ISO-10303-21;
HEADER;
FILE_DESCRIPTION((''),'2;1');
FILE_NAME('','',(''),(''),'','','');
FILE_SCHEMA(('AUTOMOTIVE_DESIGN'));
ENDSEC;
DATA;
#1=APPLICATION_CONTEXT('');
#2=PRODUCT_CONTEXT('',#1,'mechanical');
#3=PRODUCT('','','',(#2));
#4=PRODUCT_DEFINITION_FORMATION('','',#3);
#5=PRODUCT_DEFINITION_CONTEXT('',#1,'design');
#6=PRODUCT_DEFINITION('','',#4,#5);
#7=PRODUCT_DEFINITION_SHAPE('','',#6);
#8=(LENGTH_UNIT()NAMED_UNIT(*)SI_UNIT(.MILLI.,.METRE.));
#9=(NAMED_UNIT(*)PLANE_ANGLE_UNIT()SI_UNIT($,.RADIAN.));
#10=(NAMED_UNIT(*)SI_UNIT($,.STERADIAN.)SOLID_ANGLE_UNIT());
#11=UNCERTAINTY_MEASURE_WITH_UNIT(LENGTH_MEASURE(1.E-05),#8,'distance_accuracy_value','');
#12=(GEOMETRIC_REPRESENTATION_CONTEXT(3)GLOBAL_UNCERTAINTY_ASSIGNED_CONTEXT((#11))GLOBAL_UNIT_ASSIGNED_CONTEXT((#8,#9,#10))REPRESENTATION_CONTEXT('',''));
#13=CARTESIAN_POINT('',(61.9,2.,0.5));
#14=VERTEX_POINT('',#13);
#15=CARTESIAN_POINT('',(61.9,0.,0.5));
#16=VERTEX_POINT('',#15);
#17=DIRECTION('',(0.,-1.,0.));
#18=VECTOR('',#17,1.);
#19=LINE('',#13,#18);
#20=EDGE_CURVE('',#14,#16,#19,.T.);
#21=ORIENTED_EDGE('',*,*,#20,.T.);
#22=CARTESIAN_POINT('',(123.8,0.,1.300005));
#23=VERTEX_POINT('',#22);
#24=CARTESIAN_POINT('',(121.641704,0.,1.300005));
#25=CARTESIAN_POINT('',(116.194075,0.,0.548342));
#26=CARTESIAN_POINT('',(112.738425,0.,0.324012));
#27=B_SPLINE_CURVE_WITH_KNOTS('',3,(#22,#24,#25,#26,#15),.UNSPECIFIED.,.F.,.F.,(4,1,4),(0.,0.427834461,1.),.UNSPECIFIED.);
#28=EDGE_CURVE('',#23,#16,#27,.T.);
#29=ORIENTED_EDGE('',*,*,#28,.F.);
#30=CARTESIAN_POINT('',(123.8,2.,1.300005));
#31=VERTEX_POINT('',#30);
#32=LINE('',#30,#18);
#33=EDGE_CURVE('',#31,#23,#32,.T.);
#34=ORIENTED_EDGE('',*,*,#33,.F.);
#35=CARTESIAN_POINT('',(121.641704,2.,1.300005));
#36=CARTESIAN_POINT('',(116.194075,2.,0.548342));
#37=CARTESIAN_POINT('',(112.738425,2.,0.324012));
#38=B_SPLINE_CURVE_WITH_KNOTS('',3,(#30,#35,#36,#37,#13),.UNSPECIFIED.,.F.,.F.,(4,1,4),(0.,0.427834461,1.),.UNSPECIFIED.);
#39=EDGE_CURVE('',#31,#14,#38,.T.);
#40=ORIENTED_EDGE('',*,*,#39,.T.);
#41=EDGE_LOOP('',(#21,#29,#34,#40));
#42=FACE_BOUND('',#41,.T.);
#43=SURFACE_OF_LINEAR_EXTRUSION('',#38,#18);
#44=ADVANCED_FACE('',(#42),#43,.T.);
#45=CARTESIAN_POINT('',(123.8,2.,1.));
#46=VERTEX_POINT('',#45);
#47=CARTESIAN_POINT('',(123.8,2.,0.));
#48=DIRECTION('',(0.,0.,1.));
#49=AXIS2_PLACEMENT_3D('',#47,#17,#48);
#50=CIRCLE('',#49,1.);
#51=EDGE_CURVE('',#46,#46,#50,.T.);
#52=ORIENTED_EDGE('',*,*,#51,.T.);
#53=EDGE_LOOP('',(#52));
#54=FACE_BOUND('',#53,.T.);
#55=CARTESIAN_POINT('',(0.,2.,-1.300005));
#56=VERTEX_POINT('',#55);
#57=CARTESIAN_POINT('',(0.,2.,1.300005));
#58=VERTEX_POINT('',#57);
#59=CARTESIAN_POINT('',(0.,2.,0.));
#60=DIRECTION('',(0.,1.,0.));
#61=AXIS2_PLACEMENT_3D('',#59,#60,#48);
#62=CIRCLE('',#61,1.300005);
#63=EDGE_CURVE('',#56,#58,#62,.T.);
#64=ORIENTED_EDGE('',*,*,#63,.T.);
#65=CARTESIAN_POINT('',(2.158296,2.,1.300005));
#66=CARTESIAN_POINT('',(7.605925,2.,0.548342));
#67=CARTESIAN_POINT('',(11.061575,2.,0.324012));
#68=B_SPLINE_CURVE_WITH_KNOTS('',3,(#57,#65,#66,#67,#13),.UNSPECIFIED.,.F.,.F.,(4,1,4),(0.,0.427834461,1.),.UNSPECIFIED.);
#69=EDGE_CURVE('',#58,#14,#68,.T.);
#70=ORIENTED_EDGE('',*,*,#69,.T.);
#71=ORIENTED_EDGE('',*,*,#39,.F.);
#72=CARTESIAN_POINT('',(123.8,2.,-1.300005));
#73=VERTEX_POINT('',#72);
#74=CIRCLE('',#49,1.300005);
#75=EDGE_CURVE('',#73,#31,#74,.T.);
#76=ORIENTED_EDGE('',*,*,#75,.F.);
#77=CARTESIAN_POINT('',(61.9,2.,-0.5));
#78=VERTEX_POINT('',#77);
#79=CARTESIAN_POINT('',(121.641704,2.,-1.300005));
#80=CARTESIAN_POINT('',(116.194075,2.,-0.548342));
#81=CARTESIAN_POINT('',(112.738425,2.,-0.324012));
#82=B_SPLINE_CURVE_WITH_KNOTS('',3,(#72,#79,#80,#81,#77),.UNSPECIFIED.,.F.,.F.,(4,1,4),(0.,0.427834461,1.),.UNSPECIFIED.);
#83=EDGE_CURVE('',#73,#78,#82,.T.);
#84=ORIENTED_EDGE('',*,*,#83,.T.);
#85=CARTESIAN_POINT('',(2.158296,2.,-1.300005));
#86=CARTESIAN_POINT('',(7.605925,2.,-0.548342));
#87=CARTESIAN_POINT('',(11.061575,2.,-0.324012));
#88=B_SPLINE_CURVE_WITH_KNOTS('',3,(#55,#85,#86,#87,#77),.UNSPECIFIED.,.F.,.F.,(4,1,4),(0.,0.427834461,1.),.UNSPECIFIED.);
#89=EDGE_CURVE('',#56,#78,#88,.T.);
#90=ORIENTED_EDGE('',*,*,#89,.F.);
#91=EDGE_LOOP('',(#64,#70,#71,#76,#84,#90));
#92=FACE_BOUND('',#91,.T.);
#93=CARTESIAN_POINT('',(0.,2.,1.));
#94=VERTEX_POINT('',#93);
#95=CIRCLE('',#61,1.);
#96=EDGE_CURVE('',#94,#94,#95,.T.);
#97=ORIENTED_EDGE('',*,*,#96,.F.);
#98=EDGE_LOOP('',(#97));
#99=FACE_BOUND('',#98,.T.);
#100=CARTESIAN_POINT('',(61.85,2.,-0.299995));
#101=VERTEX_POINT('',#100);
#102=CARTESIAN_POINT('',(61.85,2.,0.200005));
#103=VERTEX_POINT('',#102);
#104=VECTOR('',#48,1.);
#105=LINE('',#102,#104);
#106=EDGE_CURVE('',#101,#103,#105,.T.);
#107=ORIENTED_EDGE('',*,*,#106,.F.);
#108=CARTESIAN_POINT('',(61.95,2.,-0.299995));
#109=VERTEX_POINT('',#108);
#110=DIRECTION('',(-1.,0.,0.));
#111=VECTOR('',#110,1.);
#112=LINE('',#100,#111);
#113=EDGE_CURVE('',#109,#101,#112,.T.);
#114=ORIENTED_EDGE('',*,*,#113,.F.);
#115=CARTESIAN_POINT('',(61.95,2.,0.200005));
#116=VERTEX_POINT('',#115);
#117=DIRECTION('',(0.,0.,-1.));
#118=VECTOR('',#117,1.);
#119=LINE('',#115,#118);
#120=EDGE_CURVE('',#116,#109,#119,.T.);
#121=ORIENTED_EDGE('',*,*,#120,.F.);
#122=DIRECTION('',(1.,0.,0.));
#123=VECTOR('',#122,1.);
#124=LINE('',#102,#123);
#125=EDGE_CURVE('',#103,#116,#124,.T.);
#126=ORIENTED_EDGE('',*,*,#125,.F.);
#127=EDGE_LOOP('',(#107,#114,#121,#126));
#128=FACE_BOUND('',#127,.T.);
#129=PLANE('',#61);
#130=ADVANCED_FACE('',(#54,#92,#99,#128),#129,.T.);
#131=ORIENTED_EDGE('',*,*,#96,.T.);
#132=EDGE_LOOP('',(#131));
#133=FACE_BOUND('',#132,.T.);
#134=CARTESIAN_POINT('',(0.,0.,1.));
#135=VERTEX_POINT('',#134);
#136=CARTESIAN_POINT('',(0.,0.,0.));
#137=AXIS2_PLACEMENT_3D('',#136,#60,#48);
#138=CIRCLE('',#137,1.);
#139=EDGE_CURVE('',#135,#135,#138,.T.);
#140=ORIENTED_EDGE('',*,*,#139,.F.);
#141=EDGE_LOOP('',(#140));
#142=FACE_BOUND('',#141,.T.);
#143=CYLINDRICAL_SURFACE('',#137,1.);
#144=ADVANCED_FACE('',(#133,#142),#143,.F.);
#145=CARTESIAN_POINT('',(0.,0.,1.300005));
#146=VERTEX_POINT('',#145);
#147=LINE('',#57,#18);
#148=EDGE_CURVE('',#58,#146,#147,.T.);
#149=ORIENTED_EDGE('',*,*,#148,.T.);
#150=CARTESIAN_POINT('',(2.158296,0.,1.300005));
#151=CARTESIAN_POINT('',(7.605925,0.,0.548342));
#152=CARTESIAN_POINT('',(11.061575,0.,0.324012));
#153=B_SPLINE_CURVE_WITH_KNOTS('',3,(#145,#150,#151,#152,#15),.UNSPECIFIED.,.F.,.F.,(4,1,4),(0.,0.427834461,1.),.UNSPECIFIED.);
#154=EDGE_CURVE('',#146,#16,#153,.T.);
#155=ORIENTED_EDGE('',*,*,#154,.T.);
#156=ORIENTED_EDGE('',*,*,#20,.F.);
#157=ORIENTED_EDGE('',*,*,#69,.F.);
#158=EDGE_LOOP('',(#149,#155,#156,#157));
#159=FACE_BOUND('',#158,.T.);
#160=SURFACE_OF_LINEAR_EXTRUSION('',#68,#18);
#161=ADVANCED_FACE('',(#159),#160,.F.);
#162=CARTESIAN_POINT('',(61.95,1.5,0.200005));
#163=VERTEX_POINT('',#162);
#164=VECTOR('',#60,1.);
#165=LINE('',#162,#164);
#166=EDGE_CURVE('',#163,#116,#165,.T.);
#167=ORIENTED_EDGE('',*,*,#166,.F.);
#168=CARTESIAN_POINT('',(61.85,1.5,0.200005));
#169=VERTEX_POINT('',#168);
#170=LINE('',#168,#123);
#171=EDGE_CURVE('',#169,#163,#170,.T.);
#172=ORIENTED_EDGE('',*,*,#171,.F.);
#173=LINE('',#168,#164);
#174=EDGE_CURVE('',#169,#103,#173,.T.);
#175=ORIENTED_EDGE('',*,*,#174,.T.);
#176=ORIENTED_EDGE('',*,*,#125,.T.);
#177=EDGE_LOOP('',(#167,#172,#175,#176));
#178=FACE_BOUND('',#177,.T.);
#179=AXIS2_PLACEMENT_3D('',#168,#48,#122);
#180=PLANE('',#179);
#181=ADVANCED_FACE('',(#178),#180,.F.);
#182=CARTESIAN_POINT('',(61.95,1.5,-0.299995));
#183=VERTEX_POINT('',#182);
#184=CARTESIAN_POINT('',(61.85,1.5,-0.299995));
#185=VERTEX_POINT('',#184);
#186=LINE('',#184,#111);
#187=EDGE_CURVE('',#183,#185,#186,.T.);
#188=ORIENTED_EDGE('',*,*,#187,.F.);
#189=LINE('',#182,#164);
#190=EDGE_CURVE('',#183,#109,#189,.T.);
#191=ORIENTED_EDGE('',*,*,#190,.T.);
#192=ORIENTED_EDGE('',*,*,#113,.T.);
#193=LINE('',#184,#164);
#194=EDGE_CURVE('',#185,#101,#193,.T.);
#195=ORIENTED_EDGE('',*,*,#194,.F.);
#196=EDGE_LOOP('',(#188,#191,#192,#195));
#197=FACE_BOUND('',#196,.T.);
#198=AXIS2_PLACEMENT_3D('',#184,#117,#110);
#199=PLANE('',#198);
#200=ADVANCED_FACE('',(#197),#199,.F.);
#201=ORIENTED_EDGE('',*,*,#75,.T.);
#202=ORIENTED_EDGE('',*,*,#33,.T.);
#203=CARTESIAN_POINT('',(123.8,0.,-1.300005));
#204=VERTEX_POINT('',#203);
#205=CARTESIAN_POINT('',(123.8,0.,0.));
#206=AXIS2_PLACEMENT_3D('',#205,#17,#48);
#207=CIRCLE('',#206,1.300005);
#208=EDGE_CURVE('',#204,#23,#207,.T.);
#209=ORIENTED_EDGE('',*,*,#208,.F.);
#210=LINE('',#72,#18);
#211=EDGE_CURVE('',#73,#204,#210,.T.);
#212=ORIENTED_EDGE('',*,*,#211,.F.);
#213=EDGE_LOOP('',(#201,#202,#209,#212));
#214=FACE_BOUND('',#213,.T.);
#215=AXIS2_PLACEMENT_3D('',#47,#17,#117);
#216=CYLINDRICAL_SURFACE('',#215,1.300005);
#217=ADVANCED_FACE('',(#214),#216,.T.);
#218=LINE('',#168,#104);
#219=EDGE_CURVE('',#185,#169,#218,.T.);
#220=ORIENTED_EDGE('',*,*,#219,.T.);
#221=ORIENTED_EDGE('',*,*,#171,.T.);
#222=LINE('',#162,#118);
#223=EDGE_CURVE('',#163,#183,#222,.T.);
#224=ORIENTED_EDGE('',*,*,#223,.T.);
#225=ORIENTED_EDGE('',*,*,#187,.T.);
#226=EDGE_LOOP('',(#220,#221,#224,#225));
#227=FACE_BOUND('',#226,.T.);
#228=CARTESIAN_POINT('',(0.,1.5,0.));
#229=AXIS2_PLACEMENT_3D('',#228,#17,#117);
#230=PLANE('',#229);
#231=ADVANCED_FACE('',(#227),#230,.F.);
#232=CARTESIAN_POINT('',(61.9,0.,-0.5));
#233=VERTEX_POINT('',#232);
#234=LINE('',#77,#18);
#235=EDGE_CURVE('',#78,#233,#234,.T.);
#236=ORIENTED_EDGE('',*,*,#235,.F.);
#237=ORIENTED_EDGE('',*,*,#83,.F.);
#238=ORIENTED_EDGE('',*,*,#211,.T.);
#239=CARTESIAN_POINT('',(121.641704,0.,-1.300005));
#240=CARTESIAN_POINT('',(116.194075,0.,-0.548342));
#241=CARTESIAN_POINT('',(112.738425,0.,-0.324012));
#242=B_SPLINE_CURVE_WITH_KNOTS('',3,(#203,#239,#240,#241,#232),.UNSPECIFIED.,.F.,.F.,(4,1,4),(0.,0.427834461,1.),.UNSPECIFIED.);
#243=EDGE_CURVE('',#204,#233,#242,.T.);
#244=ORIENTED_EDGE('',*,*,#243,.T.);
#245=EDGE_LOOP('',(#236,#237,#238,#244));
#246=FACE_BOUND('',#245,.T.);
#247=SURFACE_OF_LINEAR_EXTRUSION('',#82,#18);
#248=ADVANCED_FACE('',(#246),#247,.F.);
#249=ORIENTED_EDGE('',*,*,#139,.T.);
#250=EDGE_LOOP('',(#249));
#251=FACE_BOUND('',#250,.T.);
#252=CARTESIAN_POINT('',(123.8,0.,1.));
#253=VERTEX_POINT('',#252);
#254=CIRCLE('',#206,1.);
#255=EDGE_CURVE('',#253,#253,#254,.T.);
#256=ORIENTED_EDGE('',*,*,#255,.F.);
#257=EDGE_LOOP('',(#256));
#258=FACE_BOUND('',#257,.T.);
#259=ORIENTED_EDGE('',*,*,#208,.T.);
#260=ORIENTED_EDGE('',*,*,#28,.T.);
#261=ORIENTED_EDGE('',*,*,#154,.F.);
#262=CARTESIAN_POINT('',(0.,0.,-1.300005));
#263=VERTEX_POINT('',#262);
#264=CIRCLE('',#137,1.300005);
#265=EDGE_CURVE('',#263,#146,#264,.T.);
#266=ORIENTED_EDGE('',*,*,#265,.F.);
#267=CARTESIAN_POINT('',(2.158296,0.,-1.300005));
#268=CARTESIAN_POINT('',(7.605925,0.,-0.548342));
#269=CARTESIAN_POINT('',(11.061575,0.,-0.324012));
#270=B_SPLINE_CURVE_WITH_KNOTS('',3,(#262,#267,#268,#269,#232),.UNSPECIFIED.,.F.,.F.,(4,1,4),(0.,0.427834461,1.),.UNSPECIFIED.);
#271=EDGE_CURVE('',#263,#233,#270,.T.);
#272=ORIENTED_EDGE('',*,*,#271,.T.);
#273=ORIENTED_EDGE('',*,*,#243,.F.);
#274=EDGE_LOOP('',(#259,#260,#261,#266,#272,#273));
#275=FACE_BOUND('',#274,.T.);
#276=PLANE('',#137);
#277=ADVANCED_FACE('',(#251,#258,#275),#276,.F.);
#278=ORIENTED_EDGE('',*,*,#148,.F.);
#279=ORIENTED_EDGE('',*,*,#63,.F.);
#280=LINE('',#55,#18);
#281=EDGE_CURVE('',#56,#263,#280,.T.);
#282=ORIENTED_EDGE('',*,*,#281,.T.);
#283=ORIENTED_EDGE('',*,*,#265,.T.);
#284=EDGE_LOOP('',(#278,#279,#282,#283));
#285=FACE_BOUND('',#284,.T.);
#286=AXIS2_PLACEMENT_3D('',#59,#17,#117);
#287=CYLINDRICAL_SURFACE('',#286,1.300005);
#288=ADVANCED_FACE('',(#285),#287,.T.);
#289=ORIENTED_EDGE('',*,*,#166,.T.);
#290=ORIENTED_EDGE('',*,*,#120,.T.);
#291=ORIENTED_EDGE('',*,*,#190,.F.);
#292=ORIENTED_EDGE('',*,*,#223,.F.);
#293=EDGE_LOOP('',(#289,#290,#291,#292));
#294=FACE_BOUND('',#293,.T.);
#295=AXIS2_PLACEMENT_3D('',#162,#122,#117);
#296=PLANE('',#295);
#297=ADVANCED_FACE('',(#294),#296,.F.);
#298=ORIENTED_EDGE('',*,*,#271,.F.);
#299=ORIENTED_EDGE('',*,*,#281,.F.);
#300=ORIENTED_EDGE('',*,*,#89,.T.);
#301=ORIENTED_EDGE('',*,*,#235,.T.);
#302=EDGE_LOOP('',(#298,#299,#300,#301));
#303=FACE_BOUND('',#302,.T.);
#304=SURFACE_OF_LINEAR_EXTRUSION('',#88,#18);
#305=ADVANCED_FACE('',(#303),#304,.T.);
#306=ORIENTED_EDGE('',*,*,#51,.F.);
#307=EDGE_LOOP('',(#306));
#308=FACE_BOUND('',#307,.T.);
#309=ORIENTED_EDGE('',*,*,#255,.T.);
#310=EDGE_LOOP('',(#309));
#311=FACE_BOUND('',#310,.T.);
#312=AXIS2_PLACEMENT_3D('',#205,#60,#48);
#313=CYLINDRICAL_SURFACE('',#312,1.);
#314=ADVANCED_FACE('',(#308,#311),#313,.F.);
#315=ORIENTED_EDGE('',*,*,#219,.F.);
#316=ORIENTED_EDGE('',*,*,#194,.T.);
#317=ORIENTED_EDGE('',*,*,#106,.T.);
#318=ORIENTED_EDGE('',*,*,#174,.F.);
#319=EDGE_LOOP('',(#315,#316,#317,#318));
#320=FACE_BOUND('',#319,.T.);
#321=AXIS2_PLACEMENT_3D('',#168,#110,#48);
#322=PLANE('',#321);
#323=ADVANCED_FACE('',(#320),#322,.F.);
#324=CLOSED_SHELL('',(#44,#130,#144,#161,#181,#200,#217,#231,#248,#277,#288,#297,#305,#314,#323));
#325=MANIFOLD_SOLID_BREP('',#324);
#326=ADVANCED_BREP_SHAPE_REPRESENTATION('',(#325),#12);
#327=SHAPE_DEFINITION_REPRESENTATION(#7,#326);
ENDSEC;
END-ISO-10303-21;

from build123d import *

# Parameters (mm, degrees)
BOSS_EXTRUDE1_DEPTH = 2
SKETCH3_R           = 1
CUT_EXTRUDE1_DEPTH  = 62.945944389
SKETCH4_W           = 0.1
SKETCH4_H           = 0.5
CUT_EXTRUDE2_DEPTH  = 0.5


with BuildPart() as part:
    # Sketch2 → Boss-Extrude1 (new body)
    with BuildSketch(Plane(origin=(0, 0, 0), x_dir=(1, 0, 0), z_dir=(0, 1, 0))):
        with BuildLine():
            Line((61.9, -0.5), (61.9, 0.5))
            add(Edge.make_bspline(
                [(0, 1.300005072), (2.158295669, 1.300005072), (7.605925173, 0.548342251), (11.061575129, 0.324012224), (61.9, 0.5)],
                knots=[0, 0, 0, 0, 0.427834461, 1, 1, 1, 1], degree=3))
            ThreePointArc((0, 1.300005072), (0.919242402, 0.919242402), (1.300005072, 0))
            ThreePointArc((1.300005072, 0), (0.919242402, -0.919242402), (0, -1.300005072))
            add(Edge.make_bspline(
                [(0, -1.300005072), (2.158295669, -1.300005072), (7.605925173, -0.548342251), (11.061575129, -0.324012224), (61.9, -0.5)],
                knots=[0, 0, 0, 0, 0.427834461, 1, 1, 1, 1], degree=3))
        make_face()
        with BuildLine():
            ThreePointArc((1.300005072, 0), (0.919242402, 0.919242402), (0, 1.300005072))
            ThreePointArc((0, 1.300005072), (-1.300005072, 0), (0, -1.300005072))
            ThreePointArc((0, -1.300005072), (0.919242402, -0.919242402), (1.300005072, 0))
        make_face()
    boss_extrude1 = extrude(amount=BOSS_EXTRUDE1_DEPTH)

    # Sketch3 → Cut-Extrude1 (cut, through all)
    with BuildSketch(Plane(origin=(0, 2, 0), x_dir=(1, 0, 0), z_dir=(0, 1, 0))):
        with Locations(Location((0, 0, 0), (0, 0, 270))):
            Circle(SKETCH3_R)
    cut_extrude1 = extrude(amount=-CUT_EXTRUDE1_DEPTH, mode=Mode.SUBTRACT)

    # Mirror1: Boss-Extrude1, Cut-Extrude1 across plane
    add(boss_extrude1.mirror(Plane(origin=(61.9, 0, 0), x_dir=(0, 0, 1), z_dir=(1, 0, 0))))
    add(cut_extrude1.mirror(Plane(origin=(61.9, 0, 0), x_dir=(0, 0, 1), z_dir=(1, 0, 0))), mode=Mode.SUBTRACT)

    # Sketch4 → Cut-Extrude2 (cut)
    with BuildSketch(Plane(origin=(0, 2, 0), x_dir=(1, 0, 0), z_dir=(0, 1, 0))):
        with Locations((61.9, 0.049994928)):
            Rectangle(SKETCH4_W, SKETCH4_H)
    extrude(amount=-CUT_EXTRUDE2_DEPTH, mode=Mode.SUBTRACT)


solid = part.part
